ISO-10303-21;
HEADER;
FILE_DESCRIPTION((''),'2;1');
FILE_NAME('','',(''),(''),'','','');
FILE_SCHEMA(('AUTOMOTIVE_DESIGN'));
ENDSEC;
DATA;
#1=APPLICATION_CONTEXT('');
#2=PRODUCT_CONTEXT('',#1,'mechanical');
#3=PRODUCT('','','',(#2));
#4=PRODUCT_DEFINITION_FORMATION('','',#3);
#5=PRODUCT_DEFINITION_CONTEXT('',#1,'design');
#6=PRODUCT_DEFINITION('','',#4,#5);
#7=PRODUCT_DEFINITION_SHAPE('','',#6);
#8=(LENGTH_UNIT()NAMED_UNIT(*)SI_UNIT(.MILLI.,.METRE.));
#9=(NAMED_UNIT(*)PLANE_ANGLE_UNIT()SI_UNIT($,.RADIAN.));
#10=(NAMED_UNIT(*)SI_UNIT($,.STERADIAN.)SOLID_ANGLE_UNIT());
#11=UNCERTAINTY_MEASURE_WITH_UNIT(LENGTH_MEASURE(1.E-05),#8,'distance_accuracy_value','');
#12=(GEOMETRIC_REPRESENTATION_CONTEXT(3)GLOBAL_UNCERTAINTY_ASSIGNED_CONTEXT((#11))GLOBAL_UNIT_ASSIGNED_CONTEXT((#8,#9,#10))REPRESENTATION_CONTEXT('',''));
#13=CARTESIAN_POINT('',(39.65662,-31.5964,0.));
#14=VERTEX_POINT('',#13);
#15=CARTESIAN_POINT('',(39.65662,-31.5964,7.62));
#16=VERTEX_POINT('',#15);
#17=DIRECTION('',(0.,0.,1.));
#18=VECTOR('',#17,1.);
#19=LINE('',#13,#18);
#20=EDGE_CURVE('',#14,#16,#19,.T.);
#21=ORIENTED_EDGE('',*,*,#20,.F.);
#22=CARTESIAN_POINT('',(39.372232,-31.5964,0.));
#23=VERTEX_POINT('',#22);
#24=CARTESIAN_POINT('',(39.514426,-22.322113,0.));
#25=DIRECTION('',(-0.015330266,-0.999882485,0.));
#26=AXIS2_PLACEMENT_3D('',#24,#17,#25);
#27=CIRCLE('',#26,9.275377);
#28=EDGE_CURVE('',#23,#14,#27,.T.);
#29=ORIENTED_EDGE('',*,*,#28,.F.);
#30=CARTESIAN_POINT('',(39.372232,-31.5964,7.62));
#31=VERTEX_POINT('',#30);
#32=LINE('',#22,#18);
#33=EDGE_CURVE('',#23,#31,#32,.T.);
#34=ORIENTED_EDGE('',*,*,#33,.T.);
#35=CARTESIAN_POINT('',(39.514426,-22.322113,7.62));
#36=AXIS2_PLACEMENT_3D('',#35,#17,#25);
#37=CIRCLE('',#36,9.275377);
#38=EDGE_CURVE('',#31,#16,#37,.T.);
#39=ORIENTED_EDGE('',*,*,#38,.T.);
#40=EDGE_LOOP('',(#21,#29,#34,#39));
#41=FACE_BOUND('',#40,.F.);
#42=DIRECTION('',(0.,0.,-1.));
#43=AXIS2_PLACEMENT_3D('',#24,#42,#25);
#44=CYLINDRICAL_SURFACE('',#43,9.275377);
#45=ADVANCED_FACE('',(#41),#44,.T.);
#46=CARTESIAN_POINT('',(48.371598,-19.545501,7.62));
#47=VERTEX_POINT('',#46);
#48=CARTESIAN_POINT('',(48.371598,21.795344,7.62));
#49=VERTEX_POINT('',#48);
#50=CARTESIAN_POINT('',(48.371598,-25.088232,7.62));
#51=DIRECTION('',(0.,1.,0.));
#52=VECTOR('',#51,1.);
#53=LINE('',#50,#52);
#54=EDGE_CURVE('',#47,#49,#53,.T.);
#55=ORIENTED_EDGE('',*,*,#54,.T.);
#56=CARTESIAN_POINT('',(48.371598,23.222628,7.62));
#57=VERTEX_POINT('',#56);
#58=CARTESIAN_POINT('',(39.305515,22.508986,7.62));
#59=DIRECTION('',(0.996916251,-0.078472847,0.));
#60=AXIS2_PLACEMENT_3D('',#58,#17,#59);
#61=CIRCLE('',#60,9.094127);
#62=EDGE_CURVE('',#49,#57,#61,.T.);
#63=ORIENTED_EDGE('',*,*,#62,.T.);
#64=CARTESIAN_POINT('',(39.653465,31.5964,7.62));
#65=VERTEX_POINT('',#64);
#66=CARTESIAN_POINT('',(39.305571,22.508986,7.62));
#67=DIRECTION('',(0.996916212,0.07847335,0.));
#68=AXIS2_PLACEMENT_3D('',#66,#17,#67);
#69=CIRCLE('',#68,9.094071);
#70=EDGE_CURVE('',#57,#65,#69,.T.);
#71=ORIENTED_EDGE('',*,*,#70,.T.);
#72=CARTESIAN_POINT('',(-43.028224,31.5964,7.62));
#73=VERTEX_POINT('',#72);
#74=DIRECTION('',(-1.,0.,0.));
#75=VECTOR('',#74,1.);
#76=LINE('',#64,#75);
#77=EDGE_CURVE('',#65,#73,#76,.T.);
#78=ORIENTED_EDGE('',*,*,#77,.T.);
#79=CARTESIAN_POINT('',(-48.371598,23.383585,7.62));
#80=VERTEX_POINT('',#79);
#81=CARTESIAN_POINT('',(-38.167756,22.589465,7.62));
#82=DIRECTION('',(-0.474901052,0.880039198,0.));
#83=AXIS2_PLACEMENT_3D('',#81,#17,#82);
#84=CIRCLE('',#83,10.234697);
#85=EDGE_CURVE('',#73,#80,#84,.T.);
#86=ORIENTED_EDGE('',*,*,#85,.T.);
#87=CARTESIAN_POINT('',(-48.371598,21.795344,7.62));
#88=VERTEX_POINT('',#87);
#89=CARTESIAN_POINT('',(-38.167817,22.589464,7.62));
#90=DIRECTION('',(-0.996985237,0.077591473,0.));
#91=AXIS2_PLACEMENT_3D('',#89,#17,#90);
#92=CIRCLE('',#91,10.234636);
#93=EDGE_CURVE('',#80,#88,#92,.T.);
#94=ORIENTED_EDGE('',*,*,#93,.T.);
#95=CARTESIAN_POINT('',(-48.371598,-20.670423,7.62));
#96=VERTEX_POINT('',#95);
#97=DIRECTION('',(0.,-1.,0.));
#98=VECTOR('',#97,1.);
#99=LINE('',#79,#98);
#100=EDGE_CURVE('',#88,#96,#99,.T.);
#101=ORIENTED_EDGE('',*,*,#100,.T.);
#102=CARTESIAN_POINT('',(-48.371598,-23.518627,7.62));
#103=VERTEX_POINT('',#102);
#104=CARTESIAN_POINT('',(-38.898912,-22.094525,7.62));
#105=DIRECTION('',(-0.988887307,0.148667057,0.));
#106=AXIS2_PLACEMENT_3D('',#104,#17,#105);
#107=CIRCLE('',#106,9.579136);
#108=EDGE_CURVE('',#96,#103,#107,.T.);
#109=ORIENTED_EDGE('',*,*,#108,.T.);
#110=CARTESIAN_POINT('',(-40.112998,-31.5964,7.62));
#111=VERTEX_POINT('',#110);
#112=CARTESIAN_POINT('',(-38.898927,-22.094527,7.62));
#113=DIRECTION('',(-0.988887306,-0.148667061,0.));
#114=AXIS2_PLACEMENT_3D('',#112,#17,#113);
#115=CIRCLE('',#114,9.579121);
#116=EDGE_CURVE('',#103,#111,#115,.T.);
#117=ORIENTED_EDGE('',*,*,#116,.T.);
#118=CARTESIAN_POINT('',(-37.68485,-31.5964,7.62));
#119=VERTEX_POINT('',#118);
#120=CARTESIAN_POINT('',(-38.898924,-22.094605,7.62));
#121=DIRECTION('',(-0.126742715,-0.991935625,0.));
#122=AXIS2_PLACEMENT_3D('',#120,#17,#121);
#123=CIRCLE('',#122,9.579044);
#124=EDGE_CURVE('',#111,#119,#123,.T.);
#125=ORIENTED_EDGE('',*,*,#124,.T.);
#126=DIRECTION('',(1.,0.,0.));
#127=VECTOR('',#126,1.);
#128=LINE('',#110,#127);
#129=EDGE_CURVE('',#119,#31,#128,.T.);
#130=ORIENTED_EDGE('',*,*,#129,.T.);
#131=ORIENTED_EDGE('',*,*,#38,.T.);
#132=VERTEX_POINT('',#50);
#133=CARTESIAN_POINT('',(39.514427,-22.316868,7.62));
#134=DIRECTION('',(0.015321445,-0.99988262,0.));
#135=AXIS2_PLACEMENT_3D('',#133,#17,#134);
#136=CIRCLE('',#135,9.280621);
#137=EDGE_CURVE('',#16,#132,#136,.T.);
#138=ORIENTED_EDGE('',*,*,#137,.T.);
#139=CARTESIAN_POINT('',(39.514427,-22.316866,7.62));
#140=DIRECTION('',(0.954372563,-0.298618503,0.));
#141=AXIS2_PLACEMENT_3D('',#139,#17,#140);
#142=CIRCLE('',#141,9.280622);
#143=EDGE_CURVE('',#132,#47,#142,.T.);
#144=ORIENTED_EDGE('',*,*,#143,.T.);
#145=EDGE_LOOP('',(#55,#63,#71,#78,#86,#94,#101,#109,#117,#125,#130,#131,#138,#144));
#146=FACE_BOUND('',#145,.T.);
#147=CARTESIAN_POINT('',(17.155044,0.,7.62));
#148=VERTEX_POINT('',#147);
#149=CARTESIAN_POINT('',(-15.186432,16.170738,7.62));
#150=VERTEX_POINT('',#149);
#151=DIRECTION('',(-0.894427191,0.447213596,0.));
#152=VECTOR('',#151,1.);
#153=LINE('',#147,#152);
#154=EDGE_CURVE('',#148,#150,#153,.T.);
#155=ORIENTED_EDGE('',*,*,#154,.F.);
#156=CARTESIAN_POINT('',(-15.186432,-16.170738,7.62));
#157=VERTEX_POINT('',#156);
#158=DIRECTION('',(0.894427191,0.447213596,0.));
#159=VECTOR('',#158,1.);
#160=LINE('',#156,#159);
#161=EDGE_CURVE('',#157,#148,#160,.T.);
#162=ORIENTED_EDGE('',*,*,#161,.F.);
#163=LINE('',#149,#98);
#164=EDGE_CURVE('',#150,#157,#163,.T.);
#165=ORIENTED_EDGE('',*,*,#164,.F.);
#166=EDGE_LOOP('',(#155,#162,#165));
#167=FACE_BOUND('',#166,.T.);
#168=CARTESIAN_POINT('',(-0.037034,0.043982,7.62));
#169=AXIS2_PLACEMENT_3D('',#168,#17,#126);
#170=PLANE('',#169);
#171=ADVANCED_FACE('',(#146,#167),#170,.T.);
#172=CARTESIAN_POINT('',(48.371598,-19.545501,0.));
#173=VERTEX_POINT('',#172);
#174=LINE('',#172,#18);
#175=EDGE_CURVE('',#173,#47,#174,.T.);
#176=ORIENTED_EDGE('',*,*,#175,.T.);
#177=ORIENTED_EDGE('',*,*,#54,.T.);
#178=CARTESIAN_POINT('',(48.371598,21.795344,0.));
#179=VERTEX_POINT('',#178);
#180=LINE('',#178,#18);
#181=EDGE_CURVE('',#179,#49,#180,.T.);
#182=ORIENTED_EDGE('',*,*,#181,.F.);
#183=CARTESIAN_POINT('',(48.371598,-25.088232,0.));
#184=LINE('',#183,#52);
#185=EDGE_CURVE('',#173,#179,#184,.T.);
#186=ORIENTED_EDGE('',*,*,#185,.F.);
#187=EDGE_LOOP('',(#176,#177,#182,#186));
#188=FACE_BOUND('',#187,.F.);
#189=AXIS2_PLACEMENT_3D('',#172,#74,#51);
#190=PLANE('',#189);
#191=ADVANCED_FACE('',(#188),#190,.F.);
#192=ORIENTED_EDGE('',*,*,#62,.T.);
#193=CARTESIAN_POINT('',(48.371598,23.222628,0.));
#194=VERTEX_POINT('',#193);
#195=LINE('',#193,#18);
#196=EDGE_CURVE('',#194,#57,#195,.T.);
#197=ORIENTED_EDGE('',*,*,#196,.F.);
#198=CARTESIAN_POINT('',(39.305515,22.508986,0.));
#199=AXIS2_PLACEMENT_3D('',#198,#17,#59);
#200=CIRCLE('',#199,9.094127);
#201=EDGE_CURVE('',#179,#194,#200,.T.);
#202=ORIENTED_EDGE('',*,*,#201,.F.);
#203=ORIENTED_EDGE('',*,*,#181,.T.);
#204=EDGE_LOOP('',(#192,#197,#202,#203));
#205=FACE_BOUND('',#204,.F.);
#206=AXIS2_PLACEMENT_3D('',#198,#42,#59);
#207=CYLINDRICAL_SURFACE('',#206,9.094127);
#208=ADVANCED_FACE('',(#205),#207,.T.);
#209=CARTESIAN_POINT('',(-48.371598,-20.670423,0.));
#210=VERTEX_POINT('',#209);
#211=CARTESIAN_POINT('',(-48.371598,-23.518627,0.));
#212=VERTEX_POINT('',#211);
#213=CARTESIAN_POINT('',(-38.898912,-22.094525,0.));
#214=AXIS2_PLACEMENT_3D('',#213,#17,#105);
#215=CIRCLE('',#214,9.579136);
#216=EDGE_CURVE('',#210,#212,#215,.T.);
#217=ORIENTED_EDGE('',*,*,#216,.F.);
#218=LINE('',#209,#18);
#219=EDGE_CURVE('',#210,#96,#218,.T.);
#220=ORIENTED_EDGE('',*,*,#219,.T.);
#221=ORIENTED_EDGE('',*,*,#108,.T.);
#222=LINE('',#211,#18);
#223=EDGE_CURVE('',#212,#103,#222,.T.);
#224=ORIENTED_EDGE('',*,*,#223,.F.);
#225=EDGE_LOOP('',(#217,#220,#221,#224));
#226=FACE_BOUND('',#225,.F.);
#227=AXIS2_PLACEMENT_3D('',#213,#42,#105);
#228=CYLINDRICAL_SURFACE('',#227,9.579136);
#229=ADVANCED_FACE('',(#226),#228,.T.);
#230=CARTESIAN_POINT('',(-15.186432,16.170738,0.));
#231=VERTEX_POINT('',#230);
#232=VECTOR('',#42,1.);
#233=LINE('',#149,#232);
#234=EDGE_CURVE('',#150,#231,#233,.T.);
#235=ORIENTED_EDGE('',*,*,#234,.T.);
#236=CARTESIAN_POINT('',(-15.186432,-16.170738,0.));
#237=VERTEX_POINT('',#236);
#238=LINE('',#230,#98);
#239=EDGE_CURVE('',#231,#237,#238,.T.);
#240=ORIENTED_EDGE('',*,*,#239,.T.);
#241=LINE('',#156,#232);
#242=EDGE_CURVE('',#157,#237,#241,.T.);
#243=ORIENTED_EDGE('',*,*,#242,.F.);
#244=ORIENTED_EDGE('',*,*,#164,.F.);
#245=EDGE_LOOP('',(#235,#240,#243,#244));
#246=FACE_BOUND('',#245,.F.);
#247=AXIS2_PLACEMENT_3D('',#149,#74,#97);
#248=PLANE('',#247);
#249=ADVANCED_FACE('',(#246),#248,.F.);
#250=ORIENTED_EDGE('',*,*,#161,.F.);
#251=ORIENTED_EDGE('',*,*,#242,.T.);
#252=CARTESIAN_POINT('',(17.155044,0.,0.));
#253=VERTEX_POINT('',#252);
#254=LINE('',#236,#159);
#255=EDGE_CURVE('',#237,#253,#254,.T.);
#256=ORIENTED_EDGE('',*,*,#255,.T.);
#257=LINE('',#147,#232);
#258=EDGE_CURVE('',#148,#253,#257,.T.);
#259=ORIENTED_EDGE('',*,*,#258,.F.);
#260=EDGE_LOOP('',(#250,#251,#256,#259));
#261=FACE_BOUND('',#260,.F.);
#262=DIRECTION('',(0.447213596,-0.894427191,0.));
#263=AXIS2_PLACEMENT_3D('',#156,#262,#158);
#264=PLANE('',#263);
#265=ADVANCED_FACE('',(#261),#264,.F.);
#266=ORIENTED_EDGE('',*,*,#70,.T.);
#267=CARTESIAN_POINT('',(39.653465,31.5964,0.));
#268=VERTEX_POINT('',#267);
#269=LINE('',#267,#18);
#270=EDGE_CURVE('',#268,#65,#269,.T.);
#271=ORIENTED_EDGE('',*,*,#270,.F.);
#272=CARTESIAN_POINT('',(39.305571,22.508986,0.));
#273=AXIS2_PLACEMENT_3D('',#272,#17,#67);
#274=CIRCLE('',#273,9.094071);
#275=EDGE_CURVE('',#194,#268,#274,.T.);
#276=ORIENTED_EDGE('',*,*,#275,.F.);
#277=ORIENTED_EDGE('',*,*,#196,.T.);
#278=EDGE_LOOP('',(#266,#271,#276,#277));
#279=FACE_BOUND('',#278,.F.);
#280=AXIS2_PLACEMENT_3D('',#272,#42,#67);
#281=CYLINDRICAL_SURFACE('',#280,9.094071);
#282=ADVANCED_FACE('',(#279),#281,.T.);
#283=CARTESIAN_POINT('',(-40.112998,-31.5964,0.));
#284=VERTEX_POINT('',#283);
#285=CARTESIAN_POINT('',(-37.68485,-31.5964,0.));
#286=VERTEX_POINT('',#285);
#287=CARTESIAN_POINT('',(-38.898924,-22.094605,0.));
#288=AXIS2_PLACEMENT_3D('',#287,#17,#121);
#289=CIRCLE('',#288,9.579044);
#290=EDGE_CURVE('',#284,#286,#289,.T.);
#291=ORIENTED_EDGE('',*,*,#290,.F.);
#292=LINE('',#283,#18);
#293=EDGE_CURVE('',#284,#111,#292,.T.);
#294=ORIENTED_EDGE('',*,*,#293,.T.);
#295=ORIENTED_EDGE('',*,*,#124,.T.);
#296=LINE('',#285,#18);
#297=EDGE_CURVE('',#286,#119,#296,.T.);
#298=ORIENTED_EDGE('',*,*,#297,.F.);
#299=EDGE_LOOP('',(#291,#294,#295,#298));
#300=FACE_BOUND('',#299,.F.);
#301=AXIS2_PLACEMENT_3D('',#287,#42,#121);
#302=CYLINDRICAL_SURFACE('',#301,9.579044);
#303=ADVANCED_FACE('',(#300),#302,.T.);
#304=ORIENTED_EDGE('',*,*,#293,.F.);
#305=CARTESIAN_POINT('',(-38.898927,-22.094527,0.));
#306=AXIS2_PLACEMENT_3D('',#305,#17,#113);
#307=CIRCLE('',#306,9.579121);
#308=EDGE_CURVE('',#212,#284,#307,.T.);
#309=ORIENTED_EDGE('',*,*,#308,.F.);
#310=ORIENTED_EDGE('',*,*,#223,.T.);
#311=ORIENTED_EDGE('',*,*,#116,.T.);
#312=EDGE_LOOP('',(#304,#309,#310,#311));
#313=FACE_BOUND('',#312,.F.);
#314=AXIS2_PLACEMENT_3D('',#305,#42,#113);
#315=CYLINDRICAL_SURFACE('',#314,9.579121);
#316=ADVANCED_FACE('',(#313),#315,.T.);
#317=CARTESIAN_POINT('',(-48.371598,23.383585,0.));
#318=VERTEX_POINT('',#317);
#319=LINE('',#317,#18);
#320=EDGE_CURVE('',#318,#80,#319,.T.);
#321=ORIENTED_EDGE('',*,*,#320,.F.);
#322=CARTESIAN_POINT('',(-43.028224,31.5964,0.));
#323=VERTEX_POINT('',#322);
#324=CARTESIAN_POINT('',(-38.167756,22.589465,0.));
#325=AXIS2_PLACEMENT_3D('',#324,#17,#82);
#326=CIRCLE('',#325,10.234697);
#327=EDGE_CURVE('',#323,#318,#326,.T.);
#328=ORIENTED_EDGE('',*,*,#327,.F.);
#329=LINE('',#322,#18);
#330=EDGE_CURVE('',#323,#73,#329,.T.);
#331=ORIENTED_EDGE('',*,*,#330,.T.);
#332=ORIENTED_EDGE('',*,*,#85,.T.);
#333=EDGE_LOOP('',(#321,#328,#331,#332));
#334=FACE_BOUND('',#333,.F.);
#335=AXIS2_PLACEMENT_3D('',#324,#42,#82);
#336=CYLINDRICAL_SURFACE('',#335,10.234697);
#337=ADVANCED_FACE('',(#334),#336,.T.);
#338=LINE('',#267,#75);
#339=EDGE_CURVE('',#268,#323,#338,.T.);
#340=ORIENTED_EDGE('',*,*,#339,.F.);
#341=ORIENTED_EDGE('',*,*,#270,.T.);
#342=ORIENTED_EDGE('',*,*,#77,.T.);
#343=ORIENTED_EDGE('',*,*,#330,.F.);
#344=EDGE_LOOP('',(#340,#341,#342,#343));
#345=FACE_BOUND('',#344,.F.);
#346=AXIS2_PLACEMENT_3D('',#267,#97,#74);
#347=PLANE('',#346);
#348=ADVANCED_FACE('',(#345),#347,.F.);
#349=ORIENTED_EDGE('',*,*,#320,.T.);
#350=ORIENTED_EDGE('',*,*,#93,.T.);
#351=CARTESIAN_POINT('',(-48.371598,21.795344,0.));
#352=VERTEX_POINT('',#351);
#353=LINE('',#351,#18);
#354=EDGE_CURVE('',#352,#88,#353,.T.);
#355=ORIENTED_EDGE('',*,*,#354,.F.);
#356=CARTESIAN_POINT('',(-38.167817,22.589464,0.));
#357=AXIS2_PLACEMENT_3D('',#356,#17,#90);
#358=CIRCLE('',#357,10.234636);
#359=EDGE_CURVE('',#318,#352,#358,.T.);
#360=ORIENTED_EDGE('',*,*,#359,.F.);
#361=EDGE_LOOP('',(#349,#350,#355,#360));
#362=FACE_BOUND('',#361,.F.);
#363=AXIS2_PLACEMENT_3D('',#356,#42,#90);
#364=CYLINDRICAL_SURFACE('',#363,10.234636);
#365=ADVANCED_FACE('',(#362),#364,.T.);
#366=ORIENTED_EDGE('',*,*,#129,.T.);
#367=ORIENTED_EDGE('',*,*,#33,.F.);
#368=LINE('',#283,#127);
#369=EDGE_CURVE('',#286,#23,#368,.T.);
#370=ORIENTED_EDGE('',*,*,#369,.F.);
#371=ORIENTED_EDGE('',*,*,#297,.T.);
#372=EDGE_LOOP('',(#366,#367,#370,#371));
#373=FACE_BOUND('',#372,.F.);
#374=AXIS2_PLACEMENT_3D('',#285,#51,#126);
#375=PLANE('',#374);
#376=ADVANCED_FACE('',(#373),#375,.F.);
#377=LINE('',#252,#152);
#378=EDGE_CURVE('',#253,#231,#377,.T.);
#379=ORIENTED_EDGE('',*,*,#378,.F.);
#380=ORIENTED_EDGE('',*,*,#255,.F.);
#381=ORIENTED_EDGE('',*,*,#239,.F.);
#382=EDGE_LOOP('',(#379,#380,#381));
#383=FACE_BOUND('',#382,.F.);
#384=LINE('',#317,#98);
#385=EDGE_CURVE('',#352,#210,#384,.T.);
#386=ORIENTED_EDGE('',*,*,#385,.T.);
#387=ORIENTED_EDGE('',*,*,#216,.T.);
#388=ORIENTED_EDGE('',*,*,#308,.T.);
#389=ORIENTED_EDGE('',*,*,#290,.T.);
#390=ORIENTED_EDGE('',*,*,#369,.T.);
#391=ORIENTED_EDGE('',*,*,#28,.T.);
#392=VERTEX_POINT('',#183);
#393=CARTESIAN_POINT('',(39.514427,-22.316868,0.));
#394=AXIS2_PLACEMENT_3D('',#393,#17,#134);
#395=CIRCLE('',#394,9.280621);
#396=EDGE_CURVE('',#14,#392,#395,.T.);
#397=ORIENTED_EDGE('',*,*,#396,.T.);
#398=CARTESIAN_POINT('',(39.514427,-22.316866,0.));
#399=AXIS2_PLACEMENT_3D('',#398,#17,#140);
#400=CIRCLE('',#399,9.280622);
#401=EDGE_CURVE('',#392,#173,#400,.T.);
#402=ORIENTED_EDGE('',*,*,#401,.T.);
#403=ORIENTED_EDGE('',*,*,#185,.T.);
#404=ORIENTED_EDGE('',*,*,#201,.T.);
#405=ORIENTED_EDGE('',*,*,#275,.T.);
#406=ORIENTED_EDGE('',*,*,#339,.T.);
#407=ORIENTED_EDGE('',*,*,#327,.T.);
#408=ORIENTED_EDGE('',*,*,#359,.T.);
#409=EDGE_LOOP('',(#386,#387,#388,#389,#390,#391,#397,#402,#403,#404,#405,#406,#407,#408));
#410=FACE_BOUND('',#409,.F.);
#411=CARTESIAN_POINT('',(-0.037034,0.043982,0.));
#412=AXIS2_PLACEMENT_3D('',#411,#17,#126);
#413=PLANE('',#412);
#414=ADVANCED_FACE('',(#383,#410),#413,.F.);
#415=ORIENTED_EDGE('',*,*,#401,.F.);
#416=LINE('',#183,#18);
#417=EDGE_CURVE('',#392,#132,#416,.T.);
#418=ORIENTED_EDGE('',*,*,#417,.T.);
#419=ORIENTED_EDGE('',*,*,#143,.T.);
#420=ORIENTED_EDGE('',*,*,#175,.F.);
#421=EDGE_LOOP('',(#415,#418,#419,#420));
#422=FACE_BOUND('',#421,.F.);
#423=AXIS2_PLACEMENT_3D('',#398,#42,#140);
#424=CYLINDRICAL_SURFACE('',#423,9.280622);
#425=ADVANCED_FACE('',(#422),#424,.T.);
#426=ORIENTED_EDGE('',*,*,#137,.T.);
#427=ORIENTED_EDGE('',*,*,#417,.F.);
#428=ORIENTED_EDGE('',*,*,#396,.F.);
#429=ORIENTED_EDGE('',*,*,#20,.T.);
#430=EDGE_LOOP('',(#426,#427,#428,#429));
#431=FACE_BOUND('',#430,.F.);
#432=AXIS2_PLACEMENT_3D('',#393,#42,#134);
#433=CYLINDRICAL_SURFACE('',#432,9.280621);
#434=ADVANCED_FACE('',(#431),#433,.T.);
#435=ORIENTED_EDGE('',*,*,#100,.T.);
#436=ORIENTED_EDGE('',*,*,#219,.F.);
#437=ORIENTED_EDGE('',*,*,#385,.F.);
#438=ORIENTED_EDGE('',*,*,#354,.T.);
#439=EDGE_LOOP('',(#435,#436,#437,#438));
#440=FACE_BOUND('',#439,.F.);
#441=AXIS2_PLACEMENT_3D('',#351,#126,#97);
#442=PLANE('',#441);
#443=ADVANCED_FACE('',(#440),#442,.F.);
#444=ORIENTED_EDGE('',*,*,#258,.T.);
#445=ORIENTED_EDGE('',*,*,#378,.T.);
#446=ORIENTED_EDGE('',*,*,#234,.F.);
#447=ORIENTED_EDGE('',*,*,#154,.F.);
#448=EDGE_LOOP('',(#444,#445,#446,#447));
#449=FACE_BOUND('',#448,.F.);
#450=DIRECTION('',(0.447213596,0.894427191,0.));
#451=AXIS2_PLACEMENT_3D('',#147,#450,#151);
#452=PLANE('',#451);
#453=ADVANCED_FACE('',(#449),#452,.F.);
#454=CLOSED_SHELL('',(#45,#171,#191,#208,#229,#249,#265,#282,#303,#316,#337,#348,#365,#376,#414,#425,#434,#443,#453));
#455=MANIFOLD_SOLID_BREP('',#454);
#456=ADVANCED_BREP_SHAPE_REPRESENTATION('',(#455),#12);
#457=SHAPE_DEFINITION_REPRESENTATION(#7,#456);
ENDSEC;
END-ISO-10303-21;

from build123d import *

# Parameters (mm, degrees)
F1_DEPTH = 7.62
F3_DEPTH = 7.62


with BuildPart() as f1:
    # F0 (on Top) → F1 (new body)
    with BuildSketch(Plane.XY):
        with BuildLine():
            ThreePointArc((48.371598, 23.222628), (45.605213, 29.067693), (39.653465, 31.5964))
            Line((39.653465, 31.5964), (-43.028224, 31.5964))
            ThreePointArc((-43.028224, 31.5964), (-46.746564, 28.170959), (-48.371598, 23.383585))
            Line((-48.371598, 23.383585), (-48.371598, 21.795344))
            Line((-48.371598, 21.795344), (-48.371598, -20.670423))
            Line((-48.371598, -20.670423), (-48.371598, -23.518627))
            ThreePointArc((-48.371598, -23.518627), (-45.597003, -28.942544), (-40.112998, -31.5964))
            Line((-40.112998, -31.5964), (-37.68485, -31.5964))
            Line((-37.68485, -31.5964), (39.372232, -31.5964))
            Line((39.372232, -31.5964), (39.65662, -31.5964))
            ThreePointArc((39.65662, -31.5964), (45.067462, -29.752844), (48.371598, -25.088232))
            Line((48.371598, -25.088232), (48.371598, -19.545501))
            Line((48.371598, -19.545501), (48.371598, 21.795344))
            Line((48.371598, 21.795344), (48.371598, 23.222628))
        make_face()
        with BuildLine():
            ThreePointArc((48.371598, 21.795344), (48.399642, 22.508986), (48.371598, 23.222628))
            Line((48.371598, 23.222628), (48.371598, 21.795344))
        make_face()
        with BuildLine():
            Line((-48.371598, 21.795344), (-48.371598, 23.383585))
            ThreePointArc((-48.371598, 23.383585), (-48.402453, 22.589464), (-48.371598, 21.795344))
        make_face()
        with BuildLine():
            ThreePointArc((48.371598, -25.088232), (48.795049, -22.316866), (48.371598, -19.545501))
            Line((48.371598, -19.545501), (48.371598, -25.088232))
        make_face()
        with BuildLine():
            Line((-48.371598, -23.518627), (-48.371598, -20.670423))
            ThreePointArc((-48.371598, -20.670423), (-48.478048, -22.094525), (-48.371598, -23.518627))
        make_face()
        with BuildLine():
            ThreePointArc((39.372232, -31.5964), (39.514426, -31.59749), (39.65662, -31.5964))
            Line((39.65662, -31.5964), (39.372232, -31.5964))
        make_face()
        with BuildLine():
            Line((-37.68485, -31.5964), (-40.112998, -31.5964))
            ThreePointArc((-40.112998, -31.5964), (-38.898924, -31.673649), (-37.68485, -31.5964))
        make_face()
    extrude(amount=F1_DEPTH)

    # F2 (on face) → F3 (cut)
    with BuildSketch(Plane.XY.offset(7.62)):
        Polygon((17.155044, 0), (-15.186432, 16.170738), (-15.186432, -16.170738), align=None)
    extrude(amount=-F3_DEPTH, mode=Mode.SUBTRACT)


solid = f1.part
